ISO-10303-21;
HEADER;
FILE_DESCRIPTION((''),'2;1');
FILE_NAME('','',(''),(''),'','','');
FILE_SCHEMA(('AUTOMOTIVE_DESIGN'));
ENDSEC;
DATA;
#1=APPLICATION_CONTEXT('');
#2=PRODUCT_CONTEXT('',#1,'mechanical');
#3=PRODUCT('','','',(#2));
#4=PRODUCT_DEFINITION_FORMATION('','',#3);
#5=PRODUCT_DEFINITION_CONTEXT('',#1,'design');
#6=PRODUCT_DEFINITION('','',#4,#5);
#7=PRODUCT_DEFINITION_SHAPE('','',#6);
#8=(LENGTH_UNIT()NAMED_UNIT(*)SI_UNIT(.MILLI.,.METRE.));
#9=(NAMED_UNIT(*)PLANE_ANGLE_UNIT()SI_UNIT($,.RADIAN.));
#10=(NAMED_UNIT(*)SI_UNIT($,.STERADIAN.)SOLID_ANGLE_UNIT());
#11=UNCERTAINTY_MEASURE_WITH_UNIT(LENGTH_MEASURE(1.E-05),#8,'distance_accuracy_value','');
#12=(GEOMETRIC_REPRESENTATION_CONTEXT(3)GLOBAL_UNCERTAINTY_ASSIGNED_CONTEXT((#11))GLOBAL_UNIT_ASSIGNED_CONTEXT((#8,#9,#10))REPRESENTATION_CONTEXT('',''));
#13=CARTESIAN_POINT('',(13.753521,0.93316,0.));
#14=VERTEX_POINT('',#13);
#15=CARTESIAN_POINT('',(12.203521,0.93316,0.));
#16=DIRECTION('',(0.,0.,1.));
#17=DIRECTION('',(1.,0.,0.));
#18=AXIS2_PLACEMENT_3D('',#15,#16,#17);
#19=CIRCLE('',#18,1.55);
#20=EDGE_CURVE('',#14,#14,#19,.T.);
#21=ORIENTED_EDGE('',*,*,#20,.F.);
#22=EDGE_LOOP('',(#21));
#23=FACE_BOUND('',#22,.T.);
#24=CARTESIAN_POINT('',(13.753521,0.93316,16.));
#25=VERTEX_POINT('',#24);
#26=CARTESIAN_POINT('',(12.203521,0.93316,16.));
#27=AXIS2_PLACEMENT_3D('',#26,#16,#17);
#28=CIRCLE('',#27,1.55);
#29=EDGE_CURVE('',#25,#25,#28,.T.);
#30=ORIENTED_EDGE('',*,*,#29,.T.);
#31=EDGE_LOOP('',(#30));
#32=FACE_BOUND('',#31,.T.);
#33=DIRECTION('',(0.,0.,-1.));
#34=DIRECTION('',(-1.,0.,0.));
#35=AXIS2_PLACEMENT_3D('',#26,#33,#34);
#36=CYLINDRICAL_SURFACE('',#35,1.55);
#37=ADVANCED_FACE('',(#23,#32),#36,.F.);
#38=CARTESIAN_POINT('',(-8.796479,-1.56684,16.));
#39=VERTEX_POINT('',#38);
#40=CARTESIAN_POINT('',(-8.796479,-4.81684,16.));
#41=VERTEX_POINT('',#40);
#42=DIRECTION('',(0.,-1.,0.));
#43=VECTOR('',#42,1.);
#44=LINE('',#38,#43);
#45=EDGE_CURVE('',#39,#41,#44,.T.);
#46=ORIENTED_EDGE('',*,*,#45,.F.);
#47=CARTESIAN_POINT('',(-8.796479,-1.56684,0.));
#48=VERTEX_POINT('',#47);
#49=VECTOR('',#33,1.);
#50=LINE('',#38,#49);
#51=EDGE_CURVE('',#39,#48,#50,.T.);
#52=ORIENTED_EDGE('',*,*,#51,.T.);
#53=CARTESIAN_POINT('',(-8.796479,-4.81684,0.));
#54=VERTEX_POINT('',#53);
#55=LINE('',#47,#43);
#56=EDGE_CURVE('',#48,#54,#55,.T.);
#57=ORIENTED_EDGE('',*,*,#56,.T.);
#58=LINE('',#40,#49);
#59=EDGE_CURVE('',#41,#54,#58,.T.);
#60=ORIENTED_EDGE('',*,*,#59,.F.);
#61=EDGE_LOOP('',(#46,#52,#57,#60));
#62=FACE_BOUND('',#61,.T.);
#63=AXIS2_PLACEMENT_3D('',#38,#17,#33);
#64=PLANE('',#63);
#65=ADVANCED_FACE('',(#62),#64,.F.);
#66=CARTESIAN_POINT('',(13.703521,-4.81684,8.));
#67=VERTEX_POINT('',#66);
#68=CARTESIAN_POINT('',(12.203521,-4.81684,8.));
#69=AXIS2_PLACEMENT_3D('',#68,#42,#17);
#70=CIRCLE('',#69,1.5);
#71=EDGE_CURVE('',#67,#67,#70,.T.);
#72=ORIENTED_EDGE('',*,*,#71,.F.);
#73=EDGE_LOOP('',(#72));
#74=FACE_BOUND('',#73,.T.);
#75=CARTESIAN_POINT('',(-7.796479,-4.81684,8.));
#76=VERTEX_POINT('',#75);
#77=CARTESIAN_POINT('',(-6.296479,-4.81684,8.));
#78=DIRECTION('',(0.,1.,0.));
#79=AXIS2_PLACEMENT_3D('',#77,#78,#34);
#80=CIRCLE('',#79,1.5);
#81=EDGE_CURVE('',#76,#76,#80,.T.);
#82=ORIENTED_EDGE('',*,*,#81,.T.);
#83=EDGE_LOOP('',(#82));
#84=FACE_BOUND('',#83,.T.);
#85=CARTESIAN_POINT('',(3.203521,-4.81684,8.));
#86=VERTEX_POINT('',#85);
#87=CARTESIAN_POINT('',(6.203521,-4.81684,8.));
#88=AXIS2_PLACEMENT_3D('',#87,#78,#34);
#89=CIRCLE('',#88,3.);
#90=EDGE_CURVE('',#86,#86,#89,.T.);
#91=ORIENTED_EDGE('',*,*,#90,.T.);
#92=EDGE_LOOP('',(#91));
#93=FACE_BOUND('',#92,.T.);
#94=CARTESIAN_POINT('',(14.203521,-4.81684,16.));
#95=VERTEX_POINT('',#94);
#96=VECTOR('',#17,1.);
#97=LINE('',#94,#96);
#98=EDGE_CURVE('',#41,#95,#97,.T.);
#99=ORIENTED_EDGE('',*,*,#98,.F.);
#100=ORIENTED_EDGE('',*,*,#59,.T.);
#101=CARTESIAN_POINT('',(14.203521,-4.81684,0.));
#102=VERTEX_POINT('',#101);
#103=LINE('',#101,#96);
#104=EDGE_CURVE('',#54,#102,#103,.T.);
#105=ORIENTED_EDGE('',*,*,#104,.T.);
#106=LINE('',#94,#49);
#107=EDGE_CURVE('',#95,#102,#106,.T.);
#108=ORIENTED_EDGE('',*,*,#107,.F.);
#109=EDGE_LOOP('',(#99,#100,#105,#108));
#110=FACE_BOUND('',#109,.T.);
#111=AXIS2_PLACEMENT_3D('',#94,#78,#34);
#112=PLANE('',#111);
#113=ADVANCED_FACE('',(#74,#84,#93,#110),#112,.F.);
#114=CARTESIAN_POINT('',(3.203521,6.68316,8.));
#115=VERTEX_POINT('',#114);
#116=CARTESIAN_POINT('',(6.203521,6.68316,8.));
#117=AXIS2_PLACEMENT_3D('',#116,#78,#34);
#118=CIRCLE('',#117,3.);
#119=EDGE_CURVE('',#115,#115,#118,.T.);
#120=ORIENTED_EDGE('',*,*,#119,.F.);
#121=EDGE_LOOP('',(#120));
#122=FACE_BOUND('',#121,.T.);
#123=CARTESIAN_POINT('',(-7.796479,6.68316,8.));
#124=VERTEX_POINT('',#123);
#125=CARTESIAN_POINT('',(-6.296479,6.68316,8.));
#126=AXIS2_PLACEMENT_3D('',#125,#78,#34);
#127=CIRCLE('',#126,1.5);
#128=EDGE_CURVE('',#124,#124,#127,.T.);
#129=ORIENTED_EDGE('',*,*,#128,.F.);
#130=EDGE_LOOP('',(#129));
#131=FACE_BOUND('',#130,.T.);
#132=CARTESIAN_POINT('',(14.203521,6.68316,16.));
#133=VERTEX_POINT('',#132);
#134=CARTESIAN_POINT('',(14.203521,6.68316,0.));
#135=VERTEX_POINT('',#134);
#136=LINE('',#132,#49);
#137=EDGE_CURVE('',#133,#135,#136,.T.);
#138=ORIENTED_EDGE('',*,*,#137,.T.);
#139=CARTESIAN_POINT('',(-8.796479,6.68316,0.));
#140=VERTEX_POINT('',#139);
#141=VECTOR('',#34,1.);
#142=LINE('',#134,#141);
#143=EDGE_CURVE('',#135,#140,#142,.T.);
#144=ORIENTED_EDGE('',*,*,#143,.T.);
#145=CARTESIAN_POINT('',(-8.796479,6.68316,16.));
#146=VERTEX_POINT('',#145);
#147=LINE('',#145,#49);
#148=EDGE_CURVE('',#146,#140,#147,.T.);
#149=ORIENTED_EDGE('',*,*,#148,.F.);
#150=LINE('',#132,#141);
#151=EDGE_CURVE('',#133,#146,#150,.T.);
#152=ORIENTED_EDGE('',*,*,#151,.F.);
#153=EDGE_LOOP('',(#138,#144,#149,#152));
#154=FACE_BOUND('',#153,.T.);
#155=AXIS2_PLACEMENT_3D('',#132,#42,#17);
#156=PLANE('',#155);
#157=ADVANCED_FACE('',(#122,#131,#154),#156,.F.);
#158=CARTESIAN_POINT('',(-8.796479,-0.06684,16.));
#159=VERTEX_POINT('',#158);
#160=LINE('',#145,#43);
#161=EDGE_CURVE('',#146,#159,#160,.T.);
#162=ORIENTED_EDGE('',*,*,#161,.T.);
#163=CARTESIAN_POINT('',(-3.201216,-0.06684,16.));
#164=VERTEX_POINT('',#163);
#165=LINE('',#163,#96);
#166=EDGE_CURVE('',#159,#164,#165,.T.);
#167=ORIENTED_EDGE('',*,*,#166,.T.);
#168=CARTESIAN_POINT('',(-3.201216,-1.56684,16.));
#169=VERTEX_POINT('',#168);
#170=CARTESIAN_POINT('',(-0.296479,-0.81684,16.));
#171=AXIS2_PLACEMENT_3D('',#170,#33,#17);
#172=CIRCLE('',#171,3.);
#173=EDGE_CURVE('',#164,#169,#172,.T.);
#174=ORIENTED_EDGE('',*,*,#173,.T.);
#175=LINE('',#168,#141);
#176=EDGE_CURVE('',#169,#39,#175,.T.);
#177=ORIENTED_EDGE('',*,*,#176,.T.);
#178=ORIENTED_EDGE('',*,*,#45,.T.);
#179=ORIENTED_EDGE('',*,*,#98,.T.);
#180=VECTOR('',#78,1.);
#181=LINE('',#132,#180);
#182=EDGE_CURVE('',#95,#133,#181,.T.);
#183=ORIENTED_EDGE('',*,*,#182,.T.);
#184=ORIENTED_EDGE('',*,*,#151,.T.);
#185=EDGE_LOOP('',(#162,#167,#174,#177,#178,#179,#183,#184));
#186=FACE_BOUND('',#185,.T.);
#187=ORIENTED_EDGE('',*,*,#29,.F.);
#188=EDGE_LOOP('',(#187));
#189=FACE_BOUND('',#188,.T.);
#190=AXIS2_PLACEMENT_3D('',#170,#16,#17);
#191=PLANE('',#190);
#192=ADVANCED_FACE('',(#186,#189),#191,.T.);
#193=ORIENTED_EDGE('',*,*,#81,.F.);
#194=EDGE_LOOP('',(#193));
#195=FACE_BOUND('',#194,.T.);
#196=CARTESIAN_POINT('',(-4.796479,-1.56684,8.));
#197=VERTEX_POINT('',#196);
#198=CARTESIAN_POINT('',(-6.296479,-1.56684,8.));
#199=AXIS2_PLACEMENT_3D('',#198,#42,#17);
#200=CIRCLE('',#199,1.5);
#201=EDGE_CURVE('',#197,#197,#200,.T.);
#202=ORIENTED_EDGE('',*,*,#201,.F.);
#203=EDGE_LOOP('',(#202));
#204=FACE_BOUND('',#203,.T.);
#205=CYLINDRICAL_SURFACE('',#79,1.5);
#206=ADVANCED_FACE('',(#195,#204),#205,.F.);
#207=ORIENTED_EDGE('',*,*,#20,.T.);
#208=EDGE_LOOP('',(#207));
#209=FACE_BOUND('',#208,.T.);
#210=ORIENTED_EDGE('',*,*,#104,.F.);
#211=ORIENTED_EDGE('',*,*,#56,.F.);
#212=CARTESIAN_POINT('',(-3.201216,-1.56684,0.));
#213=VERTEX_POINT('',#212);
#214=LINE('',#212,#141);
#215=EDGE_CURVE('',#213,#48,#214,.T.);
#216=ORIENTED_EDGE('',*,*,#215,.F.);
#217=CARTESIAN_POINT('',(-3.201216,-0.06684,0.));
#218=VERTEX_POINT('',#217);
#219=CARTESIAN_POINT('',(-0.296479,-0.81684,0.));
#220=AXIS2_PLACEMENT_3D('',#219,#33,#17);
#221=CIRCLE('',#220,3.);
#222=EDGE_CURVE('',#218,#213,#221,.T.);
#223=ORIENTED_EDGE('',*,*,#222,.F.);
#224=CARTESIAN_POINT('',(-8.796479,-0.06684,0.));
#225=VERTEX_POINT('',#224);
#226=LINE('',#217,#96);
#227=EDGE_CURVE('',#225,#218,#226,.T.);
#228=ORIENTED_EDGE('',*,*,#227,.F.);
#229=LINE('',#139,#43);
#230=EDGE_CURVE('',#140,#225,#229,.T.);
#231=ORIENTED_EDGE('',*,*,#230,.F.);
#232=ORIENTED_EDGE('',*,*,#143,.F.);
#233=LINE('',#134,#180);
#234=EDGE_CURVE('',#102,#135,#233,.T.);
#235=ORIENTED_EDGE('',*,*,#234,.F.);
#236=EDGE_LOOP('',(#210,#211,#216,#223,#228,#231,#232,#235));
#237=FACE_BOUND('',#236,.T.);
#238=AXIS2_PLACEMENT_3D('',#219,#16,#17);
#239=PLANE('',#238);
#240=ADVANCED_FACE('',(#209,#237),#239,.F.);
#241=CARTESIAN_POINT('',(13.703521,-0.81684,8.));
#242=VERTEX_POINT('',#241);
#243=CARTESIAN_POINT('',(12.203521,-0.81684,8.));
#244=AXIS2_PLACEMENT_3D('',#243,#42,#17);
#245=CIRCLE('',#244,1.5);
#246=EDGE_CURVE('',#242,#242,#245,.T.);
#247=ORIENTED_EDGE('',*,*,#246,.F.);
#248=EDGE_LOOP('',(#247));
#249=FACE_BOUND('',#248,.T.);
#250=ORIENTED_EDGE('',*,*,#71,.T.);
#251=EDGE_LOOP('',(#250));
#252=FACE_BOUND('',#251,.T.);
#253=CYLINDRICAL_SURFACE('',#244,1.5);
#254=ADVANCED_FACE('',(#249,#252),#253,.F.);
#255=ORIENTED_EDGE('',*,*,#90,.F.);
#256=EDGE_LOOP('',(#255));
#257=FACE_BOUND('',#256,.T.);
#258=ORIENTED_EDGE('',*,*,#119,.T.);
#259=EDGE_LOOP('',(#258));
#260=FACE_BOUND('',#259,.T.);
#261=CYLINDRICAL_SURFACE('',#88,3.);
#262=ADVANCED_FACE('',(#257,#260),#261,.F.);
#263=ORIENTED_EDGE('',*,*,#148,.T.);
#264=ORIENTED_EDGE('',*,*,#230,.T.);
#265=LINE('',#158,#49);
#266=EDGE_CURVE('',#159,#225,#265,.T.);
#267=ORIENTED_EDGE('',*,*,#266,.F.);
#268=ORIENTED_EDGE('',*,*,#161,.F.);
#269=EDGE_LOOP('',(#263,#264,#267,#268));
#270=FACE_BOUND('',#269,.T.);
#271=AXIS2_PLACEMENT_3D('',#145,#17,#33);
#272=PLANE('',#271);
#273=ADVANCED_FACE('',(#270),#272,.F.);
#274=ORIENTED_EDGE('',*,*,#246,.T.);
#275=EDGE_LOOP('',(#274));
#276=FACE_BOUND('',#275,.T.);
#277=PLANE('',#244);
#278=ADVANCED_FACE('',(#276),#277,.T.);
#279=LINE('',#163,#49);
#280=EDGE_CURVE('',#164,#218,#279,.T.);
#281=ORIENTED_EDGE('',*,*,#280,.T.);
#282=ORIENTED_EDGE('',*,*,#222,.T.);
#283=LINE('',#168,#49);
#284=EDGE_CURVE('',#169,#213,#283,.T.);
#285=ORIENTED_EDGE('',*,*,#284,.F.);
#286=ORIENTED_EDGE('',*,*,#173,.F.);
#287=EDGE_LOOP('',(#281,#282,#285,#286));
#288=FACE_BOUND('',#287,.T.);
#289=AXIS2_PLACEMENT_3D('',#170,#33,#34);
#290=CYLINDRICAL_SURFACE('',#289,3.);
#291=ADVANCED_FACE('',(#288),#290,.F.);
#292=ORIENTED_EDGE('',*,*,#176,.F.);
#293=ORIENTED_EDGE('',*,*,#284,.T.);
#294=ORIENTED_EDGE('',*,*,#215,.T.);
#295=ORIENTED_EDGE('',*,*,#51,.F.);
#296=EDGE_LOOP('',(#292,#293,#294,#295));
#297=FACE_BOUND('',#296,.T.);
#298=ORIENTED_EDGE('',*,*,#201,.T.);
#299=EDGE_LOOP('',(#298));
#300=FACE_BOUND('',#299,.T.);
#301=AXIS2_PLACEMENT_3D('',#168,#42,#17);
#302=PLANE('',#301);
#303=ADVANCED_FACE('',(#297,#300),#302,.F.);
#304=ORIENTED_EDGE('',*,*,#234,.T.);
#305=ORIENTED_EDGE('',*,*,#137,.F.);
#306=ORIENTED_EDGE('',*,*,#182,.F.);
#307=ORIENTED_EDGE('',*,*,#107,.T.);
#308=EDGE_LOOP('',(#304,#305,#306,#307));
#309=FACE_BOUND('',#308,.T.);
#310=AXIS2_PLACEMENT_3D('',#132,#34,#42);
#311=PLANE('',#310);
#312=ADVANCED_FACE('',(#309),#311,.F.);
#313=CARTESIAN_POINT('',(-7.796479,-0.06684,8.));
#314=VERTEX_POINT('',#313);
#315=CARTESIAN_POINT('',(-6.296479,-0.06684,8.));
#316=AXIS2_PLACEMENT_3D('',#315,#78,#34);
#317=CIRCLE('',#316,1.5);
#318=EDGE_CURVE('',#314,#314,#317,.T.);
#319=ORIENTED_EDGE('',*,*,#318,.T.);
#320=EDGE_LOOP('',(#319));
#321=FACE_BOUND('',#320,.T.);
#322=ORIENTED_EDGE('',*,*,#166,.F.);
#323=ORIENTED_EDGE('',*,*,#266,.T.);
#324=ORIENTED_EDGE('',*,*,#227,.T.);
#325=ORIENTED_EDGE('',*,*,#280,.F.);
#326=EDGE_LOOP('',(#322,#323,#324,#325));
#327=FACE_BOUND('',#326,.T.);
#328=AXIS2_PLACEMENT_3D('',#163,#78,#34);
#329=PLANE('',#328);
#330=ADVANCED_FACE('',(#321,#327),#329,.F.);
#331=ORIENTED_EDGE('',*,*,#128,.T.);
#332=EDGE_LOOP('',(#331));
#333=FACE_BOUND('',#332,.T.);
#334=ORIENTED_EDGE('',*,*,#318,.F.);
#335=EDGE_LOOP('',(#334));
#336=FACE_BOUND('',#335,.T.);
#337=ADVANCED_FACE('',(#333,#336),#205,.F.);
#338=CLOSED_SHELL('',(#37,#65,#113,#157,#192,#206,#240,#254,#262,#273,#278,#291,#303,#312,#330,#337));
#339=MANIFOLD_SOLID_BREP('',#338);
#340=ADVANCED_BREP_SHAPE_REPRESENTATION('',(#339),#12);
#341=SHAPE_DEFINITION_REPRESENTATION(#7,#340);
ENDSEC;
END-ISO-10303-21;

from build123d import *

# Parameters (mm, degrees)
SKETCH_1_R          = 1.55
EXTRUDE_2_DEPTH     = 16
SKETCH_2_R          = 1.5
SKETCH_2_R_2        = 3
CUT_EXTRUDE_1_DEPTH = 25.289710071
SKETCH_3_R          = 1.5
CUT_EXTRUDE_2_DEPTH = 4


with BuildPart() as part:
    # 草图1 → 凸台-拉伸2 (new body)
    with BuildSketch(Plane.XY):
        with BuildLine():
            Line((14.20352123, 6.683160013), (-8.79647877, 6.683160013))
            Line((-8.79647877, 6.683160013), (-8.79647877, -0.066839987))
            Line((-8.79647877, -0.066839987), (-3.20121628, -0.066839987))
            ThreePointArc((-3.20121628, -0.066839987), (2.70352123, -0.816839987), (-3.20121628, -1.566839987))
            Line((-3.20121628, -1.566839987), (-8.79647877, -1.566839987))
            Line((-8.79647877, -1.566839987), (-8.79647877, -4.816839987))
            Line((-8.79647877, -4.816839987), (14.20352123, -4.816839987))
            Line((14.20352123, -4.816839987), (14.20352123, 6.683160013))
        make_face()
        with Locations((12.20352123, 0.933160013)):
            Circle(SKETCH_1_R, mode=Mode.SUBTRACT)
    extrude(amount=EXTRUDE_2_DEPTH)

    # 草图2 → 切除-拉伸1 (cut, through all)
    with BuildSketch(Plane(origin=(0, 6.683160013, 0), x_dir=(1, 0, 0), z_dir=(0, 1, 0))):
        with Locations(Location((-6.29647877, -8, 0), (0, 0, 180))):
            Circle(SKETCH_2_R)
        with Locations(Location((6.20352123, -8, 0), (0, 0, 180))):
            Circle(SKETCH_2_R_2)
    extrude(amount=-CUT_EXTRUDE_1_DEPTH, mode=Mode.SUBTRACT)

    # 草图3 → 切除-拉伸2 (cut)
    with BuildSketch(Plane.XZ.offset(4.816839987)):
        with Locations((12.20352123, 8)):
            Circle(SKETCH_3_R)
    extrude(amount=-CUT_EXTRUDE_2_DEPTH, mode=Mode.SUBTRACT)


solid = part.part
